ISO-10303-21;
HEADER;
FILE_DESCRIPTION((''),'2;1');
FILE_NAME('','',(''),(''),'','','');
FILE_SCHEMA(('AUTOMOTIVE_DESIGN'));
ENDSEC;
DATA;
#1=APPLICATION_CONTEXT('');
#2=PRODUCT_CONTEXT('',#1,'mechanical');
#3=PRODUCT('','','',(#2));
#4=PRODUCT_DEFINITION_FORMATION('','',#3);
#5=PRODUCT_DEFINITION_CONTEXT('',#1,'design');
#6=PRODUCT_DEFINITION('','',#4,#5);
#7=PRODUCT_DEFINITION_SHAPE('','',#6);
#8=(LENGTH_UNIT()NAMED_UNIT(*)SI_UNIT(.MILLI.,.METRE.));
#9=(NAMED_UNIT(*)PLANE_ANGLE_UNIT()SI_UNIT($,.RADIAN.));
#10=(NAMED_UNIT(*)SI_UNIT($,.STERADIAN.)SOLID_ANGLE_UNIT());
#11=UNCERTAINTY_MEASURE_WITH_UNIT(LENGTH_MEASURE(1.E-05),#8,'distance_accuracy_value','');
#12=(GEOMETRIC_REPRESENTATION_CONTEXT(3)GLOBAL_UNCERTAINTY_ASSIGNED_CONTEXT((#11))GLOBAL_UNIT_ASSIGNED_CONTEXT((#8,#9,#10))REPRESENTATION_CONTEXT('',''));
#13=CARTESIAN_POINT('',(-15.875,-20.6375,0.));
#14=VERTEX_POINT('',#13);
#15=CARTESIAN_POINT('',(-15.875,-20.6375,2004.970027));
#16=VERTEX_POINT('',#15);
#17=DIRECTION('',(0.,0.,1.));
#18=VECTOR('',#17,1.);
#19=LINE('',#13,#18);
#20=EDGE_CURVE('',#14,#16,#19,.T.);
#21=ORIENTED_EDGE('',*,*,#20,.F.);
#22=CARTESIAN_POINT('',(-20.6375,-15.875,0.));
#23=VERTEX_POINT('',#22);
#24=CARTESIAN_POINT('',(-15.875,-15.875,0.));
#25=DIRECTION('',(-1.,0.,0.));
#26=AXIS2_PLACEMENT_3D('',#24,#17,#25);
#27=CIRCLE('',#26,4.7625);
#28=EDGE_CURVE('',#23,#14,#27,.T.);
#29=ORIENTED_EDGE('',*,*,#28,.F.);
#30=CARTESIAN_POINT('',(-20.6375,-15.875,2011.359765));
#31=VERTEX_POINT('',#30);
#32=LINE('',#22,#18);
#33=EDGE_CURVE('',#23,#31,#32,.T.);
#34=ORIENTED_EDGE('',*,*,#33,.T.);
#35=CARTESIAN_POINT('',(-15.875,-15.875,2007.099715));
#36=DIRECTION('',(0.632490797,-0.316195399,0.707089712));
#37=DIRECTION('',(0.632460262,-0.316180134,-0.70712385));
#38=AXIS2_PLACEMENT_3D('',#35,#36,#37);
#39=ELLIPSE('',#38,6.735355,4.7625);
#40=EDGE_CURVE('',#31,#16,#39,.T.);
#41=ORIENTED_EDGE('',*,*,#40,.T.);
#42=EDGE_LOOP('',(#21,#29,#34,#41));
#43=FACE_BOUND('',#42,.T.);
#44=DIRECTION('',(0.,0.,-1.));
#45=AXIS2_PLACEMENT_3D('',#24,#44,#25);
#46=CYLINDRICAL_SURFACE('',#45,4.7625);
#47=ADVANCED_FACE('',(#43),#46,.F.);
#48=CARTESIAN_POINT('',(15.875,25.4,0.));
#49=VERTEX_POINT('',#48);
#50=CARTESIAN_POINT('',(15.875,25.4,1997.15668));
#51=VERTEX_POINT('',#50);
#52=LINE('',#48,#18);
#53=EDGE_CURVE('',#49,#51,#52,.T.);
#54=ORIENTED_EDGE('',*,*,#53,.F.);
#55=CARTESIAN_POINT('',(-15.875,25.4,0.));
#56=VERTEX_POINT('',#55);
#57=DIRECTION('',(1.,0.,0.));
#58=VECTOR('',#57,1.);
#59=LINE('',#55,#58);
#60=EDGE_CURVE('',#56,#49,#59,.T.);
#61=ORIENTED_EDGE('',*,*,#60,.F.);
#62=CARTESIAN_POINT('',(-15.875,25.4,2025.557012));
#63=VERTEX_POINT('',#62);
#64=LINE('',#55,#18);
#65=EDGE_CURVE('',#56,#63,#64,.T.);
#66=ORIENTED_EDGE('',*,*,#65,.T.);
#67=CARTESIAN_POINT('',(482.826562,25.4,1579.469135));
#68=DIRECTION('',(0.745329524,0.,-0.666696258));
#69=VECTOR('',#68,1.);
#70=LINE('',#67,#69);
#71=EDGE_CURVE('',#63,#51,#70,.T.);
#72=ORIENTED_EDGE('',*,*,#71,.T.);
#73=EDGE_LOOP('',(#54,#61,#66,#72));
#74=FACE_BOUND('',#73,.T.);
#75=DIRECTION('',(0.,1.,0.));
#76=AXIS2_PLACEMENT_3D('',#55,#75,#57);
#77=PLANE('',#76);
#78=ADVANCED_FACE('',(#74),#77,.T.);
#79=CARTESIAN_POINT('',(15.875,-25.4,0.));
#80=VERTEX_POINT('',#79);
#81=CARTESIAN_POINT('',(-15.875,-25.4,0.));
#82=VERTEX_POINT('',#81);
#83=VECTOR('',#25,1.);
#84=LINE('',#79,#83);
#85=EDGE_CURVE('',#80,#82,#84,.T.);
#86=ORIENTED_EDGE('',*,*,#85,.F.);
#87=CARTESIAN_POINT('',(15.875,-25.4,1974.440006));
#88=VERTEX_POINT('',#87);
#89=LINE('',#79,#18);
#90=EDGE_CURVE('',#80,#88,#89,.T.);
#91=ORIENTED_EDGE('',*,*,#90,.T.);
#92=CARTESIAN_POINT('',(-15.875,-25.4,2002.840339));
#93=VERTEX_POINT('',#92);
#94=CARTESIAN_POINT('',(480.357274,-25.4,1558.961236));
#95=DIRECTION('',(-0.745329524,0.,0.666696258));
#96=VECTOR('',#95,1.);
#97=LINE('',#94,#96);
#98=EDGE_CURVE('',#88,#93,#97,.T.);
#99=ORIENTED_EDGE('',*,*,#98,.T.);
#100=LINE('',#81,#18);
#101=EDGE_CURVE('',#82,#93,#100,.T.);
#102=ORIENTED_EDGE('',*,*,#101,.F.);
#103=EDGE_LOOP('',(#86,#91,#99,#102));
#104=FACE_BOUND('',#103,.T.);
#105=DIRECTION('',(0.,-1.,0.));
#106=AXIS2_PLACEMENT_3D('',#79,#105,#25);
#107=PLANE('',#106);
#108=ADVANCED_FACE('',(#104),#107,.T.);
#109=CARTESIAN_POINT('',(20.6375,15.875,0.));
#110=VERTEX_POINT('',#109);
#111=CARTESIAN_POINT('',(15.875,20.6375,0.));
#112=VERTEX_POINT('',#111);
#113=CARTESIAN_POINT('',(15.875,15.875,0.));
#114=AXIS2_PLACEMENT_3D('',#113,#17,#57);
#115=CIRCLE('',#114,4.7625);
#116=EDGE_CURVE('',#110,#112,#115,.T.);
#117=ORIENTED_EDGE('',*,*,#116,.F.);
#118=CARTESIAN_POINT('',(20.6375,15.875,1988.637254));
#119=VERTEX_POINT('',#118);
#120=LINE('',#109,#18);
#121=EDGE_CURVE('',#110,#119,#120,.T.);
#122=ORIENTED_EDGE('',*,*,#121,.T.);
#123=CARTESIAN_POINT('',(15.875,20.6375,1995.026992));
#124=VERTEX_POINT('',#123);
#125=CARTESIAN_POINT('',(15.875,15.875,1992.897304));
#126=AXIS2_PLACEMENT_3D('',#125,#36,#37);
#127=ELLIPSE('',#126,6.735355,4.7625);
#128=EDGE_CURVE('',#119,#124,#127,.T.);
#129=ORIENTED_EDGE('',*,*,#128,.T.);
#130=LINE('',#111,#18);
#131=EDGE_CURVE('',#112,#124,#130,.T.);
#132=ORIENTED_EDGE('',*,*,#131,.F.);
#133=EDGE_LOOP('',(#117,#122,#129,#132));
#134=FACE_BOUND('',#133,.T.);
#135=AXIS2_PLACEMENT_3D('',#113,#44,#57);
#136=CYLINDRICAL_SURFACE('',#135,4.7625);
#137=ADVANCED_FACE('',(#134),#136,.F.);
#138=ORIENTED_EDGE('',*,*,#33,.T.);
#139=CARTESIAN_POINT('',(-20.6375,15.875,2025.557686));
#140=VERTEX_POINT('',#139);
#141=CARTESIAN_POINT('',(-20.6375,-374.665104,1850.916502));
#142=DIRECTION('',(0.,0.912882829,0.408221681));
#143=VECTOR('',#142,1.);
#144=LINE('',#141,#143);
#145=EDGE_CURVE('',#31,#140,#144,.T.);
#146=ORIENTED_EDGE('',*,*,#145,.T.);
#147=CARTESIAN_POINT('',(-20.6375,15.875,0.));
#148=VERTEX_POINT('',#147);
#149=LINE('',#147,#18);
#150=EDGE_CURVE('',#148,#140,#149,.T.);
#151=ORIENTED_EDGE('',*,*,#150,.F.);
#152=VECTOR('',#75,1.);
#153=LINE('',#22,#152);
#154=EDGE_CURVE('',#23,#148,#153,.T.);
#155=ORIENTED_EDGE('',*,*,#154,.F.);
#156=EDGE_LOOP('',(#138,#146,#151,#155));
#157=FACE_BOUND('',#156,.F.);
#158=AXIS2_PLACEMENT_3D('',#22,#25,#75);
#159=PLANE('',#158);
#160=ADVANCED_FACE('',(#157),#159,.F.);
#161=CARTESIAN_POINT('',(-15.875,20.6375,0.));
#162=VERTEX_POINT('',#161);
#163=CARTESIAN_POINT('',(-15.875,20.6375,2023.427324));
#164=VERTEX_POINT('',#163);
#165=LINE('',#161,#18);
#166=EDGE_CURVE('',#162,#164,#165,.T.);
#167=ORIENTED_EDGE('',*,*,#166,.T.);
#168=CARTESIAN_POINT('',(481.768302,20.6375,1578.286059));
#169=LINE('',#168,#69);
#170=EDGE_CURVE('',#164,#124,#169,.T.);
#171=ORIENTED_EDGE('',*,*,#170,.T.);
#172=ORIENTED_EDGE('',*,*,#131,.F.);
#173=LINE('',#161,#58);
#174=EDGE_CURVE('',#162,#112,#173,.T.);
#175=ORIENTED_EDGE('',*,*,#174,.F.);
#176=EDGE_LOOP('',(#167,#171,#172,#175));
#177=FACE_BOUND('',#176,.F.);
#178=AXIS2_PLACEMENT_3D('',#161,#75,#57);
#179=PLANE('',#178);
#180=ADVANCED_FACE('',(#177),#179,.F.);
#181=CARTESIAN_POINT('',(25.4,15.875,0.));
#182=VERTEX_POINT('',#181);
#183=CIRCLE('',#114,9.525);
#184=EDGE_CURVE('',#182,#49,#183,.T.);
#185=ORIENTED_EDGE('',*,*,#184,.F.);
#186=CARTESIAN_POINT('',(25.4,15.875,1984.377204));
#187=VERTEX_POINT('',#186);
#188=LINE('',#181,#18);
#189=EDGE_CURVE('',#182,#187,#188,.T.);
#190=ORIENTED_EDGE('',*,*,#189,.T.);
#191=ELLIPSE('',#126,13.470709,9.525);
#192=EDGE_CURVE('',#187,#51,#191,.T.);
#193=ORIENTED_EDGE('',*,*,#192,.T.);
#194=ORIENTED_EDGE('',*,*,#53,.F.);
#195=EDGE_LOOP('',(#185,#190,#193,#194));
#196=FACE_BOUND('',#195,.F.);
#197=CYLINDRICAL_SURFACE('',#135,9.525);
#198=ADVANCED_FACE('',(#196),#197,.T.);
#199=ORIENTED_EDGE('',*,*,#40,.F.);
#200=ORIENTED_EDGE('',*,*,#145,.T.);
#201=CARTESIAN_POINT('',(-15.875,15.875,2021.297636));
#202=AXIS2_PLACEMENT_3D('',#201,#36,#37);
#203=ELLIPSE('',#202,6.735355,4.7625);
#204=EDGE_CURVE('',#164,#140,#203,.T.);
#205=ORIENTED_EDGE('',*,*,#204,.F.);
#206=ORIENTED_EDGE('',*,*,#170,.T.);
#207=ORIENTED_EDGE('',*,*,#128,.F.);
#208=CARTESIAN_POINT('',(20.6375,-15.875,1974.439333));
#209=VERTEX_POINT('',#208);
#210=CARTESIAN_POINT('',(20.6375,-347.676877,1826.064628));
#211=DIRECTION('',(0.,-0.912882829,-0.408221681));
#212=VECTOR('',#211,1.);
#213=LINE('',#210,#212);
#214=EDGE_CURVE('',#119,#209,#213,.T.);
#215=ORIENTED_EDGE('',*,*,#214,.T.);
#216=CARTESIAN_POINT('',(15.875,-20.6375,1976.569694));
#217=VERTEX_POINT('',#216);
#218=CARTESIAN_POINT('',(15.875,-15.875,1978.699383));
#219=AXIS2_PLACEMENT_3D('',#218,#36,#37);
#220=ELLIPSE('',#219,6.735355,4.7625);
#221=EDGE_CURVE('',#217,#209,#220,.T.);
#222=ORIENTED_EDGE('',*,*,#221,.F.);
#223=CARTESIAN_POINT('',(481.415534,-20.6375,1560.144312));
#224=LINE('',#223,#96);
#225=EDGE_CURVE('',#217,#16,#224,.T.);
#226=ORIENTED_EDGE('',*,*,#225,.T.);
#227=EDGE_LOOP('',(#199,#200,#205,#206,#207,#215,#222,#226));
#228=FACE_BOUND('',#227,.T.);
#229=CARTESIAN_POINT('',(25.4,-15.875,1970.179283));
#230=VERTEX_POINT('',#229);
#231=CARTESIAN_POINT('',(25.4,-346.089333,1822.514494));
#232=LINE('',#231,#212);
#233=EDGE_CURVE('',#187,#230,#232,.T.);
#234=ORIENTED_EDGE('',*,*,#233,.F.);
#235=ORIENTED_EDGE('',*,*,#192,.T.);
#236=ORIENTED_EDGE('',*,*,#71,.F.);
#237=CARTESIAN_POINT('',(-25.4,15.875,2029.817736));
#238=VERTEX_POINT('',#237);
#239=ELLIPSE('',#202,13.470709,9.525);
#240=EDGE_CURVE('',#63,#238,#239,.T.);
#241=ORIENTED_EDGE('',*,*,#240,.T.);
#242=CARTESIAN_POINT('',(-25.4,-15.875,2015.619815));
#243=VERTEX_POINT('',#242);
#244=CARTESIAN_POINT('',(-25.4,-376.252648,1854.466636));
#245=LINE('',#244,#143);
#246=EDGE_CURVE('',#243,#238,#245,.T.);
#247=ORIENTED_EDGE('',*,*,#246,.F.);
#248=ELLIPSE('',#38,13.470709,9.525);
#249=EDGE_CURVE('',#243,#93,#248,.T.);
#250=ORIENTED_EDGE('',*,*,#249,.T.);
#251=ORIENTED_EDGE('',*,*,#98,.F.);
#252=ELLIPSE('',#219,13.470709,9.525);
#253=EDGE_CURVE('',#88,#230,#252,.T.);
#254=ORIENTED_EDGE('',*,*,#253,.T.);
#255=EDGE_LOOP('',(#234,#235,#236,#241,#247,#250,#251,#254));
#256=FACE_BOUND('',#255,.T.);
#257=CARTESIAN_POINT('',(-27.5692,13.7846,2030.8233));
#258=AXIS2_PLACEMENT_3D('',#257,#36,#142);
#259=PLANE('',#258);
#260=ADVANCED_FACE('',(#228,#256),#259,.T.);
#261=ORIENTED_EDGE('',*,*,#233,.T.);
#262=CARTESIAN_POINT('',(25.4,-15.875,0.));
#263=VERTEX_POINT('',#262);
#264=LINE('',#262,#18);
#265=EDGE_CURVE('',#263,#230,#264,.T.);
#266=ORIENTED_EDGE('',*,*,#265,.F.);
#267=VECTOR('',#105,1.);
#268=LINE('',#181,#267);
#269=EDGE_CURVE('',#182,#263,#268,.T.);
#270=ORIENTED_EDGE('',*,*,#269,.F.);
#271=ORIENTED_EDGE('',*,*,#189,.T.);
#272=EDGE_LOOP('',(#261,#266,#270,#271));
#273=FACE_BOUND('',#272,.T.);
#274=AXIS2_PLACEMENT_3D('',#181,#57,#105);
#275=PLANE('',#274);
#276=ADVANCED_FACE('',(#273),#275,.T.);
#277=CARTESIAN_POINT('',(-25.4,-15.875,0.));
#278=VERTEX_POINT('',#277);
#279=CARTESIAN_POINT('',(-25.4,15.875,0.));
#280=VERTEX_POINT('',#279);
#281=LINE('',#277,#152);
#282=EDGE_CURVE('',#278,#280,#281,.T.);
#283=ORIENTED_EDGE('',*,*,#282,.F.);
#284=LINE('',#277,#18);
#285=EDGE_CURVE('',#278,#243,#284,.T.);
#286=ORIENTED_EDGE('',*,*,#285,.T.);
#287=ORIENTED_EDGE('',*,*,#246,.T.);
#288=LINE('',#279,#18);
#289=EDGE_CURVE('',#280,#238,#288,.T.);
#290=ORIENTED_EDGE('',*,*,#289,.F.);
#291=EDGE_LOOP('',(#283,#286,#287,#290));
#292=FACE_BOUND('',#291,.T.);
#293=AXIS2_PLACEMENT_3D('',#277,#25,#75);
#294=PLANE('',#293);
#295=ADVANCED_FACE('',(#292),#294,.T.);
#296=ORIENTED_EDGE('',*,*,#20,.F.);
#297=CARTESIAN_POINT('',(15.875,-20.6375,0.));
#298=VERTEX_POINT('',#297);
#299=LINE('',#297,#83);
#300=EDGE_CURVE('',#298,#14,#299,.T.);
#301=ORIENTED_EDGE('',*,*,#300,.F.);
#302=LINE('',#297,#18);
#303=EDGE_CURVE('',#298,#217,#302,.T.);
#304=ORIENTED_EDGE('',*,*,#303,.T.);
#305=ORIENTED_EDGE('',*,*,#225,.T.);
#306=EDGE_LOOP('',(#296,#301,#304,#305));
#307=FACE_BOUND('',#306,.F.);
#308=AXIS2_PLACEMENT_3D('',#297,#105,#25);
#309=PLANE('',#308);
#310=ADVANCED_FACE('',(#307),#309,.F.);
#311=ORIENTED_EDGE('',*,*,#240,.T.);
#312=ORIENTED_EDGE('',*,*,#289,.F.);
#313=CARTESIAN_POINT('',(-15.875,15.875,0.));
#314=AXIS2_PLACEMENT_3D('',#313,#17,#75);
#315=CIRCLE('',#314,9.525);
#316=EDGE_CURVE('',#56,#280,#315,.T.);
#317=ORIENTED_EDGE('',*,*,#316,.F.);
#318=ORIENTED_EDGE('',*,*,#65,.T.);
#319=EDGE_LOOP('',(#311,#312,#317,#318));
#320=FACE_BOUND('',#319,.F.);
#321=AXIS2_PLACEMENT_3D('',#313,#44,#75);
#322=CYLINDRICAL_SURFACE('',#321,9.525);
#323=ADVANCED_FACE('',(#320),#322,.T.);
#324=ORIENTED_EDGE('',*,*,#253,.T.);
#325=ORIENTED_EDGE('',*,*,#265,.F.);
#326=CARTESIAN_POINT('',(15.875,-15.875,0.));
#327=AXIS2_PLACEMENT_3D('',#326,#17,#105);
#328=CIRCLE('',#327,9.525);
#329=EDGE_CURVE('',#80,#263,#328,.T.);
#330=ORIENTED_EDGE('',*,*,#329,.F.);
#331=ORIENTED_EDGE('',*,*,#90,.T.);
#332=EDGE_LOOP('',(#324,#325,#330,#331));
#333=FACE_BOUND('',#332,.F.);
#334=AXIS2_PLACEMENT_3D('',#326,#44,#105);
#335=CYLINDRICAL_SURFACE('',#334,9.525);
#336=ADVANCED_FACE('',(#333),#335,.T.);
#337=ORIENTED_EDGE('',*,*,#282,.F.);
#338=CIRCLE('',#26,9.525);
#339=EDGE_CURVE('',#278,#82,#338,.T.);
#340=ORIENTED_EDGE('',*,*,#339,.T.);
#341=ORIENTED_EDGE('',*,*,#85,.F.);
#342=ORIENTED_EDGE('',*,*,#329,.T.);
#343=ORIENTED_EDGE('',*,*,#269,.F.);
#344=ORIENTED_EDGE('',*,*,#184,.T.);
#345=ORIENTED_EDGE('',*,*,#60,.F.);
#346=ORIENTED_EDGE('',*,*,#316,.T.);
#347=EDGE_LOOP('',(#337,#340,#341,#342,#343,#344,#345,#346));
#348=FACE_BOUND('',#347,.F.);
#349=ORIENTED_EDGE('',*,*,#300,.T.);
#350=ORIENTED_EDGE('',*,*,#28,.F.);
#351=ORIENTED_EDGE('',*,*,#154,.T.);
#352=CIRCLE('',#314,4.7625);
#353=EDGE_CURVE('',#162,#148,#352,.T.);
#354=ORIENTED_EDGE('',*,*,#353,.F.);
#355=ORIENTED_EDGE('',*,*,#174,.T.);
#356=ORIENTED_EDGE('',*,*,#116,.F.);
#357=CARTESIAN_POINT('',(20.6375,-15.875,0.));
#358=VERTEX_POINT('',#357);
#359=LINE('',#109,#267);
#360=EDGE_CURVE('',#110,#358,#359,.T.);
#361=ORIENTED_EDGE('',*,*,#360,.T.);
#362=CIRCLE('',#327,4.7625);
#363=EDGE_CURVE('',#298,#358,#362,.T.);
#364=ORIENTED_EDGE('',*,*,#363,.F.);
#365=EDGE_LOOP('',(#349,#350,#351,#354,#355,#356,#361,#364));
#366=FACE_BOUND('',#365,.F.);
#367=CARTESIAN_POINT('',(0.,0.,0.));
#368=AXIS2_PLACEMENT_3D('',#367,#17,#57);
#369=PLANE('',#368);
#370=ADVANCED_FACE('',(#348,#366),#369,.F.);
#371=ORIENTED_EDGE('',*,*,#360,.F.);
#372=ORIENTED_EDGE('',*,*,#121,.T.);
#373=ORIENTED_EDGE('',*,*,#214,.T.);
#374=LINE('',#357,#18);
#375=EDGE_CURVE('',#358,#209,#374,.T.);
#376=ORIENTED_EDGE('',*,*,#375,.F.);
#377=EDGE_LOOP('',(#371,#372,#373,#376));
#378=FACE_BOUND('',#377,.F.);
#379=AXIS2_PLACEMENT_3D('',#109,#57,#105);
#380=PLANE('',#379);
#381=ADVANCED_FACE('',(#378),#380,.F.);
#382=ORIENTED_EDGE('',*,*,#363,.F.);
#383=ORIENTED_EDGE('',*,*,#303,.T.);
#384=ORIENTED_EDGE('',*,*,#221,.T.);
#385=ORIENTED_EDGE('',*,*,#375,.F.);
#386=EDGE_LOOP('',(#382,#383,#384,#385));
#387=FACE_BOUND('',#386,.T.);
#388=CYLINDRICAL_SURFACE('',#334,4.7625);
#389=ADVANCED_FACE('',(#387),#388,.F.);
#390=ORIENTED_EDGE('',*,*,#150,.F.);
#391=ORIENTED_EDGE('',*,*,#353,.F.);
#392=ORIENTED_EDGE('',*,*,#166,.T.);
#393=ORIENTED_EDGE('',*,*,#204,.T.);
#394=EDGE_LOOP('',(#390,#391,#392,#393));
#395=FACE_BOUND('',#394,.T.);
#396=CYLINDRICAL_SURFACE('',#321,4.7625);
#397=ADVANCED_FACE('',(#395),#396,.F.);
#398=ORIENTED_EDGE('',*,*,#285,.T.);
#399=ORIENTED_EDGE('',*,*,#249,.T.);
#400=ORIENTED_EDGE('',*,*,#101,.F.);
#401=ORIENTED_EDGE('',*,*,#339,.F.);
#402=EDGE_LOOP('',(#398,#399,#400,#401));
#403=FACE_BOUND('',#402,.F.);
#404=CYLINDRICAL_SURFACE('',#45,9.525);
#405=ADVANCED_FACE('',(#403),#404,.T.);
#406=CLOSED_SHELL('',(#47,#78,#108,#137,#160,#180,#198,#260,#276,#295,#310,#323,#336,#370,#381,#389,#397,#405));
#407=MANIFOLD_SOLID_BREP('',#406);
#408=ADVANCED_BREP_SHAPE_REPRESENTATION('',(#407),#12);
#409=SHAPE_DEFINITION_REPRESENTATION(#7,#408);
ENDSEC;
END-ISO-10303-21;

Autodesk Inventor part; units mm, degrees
ref_plane "Plano inicial" through (0, 0, 0) normal (0, 0, 1) x (1, 0, 0)
ref_plane "Plano final" through (0, 0, 2034.0777) normal (0, 0, 1) x (1, 0, 0)
sketch "Esboço" plane through (0, 0, 0) normal (0, 0, 1) x (1, 0, 0)
  line L0 (-25.4, -15.875) -> (-25.4, 15.875)
  line L1 (-15.875, 25.4) -> (15.875, 25.4)
  line L2 (25.4, 15.875) -> (25.4, -15.875)
  line L3 (15.875, -25.4) -> (-15.875, -25.4)
  arc A0 (-25.4, -15.875) -> (-15.875, -25.4) centre (-15.875, -15.875) ccw
  arc A1 (-15.875, 25.4) -> (-25.4, 15.875) centre (-15.875, 15.875) ccw
  arc A2 (25.4, 15.875) -> (15.875, 25.4) centre (15.875, 15.875) ccw
  arc A3 (15.875, -25.4) -> (25.4, -15.875) centre (15.875, -15.875) ccw
  arc A4 (-15.875, 20.6375) -> (-20.6375, 15.875) centre (-15.875, 15.875) ccw
  line L4 (-15.875, 20.6375) -> (15.875, 20.6375)
  arc A5 (20.6375, 15.875) -> (15.875, 20.6375) centre (15.875, 15.875) ccw
  line L5 (20.6375, 15.875) -> (20.6375, -15.875)
  arc A6 (15.875, -20.6375) -> (20.6375, -15.875) centre (15.875, -15.875) ccw
  line L6 (15.875, -20.6375) -> (-15.875, -20.6375)
  arc A7 (-20.6375, -15.875) -> (-15.875, -20.6375) centre (-15.875, -15.875) ccw
  line L7 (-20.6375, -15.875) -> (-20.6375, 15.875)
  line L8 (0, 38.3218) -> (0, -38.3218) construction
  line L9 (-38.3218, 0) -> (38.3218, 0) construction
  dimension "d10" = 50.8
  dimension "d11" = 50.8
  dimension "d12" = 4.7625
  dimension "d15" = 25.4
  dimension "d16" = 25.4
  dimension "d17" = 9.525
extrude "Corpo" add sketch "Esboço" along normal up to surface (2034.0777 mm away) from surface at 0
sketch "Sketch3" plane through (0, 0, 0) normal (0, 0, 1) x (1, 0, 0)
  line L0 (0, 0) -> (10, 0)
ref_plane "Work Plane3" through (0, 0, 0) normal (0, -1, 0) x (1, 0, 0)
sketch "Sketch4" plane through (0, 0, 0) normal (0, -1, 0) x (1, 0, 0)
  line L0 (-2, 0) -> (12, 0)
  line L1 (-2, 2034.0777) -> (12, 2034.0777)
  dimension "d19" = 2034.0777
ref_plane "Plano de trabalho4" through (-27.5692, 13.7846, 2030.8233) normal (0.6325, -0.3162, 0.7071) x (0.7657, 0.1172, -0.6325)
split "Dividir1" plane through (-27.5692, 13.7846, 2030.8233) removes the side toward (0.6325, -0.3162, 0.7071)
equation "\"d10\" = G_H"
equation "\"d11\" = G_W"
equation "\"d12\" = G_T"
equation "\"d15\" = 0.5 * d10"
equation "\"d16\" = 0.5 * d11"
equation "\"d17\" = G_IR"
equation "\"d3\" = G_L"
equation "\"G_W\" = 50.8"
equation "\"G_H\" = 50.8"
equation "\"G_T\" = 4.7625"
equation "\"G_IR\" = 9.525"
equation "\"G_L\" = 2030.79958"
equation "\"G_OFFSET_START\" = 0"
equation "\"G_OFFSET_END\" = 34.07768"
equation "\"d14\" = G_OFFSET_END + B_L"
equation "\"B_L\" = 2000"
properties part number "AISC - 2 x 2 x 3/16 - 79,953" material "Aço, suave"
